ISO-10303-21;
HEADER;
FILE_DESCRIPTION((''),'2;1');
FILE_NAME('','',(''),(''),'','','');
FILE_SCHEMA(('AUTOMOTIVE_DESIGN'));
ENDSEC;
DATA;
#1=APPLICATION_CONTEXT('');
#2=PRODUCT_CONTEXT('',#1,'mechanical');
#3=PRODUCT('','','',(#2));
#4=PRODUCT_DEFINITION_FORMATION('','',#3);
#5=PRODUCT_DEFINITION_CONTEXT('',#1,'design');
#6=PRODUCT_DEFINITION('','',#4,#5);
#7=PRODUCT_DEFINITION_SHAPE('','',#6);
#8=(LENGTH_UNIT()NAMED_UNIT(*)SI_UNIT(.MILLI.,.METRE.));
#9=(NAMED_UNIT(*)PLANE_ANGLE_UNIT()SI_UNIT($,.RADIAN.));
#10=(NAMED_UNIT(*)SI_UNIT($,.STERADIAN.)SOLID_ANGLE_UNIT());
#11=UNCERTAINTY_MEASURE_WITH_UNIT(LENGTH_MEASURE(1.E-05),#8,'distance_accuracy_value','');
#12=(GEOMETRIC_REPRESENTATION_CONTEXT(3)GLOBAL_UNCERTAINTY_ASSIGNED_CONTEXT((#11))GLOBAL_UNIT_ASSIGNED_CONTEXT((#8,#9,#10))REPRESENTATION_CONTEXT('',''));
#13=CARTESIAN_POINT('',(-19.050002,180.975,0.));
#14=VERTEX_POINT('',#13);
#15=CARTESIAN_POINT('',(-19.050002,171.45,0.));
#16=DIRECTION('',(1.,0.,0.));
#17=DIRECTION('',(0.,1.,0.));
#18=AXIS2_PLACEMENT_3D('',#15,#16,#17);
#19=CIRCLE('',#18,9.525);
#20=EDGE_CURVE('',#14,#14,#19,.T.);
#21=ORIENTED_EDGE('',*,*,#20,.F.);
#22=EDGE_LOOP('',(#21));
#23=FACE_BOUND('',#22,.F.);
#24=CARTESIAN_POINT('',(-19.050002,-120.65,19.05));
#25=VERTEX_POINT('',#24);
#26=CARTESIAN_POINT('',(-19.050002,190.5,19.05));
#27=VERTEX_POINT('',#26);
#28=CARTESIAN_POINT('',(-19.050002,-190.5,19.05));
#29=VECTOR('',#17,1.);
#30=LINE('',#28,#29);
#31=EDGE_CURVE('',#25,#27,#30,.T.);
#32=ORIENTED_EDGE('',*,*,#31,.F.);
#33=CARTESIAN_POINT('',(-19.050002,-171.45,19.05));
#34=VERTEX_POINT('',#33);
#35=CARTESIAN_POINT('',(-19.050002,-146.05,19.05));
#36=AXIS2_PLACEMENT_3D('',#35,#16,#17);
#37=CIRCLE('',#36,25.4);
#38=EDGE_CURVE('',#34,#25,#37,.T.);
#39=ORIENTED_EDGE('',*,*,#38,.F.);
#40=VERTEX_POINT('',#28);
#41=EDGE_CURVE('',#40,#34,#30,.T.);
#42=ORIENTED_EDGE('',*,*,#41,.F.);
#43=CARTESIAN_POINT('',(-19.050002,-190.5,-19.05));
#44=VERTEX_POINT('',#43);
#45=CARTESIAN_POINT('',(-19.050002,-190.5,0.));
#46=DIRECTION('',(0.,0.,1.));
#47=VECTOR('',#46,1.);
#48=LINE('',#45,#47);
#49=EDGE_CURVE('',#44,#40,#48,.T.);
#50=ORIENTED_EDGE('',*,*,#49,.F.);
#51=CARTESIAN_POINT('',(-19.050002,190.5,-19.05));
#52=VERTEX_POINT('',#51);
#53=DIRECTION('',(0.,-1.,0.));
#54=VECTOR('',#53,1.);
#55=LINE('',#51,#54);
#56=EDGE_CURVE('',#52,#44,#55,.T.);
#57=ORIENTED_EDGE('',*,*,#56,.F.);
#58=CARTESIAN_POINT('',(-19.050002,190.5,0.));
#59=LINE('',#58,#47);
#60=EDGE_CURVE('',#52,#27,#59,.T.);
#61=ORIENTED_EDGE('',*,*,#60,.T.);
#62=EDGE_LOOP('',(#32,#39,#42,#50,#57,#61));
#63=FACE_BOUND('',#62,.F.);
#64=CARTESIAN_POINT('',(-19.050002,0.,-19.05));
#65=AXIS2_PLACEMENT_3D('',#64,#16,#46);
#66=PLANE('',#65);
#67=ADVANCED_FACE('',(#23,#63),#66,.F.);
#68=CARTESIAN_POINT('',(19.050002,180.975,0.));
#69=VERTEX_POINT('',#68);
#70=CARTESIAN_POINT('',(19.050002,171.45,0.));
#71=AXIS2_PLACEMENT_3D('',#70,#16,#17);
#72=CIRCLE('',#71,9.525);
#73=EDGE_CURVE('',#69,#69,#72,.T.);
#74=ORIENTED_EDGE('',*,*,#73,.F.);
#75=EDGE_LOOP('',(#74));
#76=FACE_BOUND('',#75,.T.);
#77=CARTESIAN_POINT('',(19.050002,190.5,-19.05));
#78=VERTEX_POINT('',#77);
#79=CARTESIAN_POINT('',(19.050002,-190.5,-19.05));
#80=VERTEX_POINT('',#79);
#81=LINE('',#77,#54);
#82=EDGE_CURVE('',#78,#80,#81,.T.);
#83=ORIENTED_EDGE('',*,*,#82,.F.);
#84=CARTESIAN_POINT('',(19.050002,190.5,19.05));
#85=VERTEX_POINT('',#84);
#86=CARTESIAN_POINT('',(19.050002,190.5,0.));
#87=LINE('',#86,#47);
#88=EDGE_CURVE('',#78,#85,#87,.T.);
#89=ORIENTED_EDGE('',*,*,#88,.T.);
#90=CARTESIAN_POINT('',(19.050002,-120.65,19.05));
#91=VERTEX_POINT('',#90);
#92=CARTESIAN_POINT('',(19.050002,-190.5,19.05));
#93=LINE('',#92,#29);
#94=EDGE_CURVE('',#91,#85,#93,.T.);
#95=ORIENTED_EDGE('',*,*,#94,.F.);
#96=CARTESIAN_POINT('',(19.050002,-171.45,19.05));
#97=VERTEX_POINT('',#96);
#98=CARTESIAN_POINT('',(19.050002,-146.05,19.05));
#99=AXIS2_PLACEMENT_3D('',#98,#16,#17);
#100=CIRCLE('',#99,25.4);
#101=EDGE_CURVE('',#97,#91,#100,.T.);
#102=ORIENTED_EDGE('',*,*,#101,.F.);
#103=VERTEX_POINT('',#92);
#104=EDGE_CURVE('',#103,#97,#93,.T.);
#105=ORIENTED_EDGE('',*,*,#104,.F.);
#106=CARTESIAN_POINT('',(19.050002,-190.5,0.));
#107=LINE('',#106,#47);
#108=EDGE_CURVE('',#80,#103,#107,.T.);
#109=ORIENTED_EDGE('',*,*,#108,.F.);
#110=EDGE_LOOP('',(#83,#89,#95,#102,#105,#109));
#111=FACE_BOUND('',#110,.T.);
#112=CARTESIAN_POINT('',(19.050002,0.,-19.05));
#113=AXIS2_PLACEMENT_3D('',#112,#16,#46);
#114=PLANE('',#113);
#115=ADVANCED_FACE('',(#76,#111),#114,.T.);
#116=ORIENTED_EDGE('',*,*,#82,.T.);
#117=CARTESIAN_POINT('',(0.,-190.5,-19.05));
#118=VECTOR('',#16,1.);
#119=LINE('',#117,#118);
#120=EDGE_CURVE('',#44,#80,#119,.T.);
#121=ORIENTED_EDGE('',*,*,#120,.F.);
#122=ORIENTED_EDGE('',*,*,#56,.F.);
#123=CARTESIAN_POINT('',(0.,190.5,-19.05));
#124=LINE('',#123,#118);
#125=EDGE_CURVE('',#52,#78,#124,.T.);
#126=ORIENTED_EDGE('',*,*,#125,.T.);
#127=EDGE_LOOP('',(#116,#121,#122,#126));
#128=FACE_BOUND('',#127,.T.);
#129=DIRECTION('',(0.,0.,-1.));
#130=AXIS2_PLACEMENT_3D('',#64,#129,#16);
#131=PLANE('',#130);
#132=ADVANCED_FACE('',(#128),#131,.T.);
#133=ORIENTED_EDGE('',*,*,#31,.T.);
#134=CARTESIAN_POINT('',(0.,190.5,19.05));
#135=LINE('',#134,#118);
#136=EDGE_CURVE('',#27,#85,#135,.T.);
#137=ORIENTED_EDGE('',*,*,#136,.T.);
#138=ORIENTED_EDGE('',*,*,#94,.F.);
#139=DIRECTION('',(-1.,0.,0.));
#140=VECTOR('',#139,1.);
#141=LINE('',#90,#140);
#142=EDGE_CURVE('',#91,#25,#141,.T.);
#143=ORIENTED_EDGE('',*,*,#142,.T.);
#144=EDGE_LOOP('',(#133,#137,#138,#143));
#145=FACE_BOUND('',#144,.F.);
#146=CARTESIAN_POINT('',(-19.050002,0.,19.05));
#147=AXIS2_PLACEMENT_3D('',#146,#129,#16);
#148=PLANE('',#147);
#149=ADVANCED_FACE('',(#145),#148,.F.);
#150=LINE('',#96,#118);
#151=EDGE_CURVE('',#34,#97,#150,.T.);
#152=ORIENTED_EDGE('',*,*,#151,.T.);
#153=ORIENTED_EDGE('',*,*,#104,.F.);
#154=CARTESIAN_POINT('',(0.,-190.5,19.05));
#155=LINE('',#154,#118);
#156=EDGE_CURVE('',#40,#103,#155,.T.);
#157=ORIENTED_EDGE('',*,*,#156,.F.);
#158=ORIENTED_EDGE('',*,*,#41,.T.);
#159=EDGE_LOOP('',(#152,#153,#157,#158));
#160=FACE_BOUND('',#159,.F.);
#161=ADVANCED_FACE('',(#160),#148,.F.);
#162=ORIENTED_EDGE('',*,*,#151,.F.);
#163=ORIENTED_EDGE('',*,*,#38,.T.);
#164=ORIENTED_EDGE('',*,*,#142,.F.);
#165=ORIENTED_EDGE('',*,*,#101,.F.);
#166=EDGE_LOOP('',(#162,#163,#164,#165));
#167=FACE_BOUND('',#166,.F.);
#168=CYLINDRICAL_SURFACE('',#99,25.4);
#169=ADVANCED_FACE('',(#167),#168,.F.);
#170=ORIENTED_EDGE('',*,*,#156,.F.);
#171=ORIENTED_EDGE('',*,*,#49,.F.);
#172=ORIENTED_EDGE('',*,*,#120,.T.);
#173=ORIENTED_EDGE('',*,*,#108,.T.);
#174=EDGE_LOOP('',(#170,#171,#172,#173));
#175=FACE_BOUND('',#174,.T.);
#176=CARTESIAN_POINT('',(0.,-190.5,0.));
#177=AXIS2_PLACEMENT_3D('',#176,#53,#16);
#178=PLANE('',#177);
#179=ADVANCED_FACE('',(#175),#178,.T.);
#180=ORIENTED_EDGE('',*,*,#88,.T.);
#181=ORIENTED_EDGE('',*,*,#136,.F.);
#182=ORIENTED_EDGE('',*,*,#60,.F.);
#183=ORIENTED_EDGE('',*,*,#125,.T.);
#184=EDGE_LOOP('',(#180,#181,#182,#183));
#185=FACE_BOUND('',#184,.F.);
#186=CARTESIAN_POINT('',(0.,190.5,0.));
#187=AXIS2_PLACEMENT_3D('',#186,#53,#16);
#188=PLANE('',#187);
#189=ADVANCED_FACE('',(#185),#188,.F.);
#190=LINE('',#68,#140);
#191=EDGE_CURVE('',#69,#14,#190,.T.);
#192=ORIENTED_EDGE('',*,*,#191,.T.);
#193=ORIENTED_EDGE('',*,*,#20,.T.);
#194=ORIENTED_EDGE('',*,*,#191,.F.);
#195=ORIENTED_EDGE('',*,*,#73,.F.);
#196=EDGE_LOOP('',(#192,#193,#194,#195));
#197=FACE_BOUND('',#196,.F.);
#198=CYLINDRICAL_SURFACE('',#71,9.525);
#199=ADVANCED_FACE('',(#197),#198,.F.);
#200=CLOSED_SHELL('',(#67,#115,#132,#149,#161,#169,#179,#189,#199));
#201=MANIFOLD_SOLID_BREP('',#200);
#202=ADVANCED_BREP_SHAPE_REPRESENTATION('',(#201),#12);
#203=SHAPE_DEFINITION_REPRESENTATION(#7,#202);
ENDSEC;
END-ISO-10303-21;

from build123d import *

# Parameters (mm, degrees)
F0_W     = 38.100004
F0_H     = 38.1
F1_DEPTH = 190.5
F2_R     = 25.4
F3_DEPTH = 38.101003
F4_R     = 9.525
F5_DEPTH = 38.101003


with BuildPart() as f1:
    # F0 (on Front) → F1 (new body, symmetric)
    with BuildSketch(Plane.XZ):
        Rectangle(F0_W, F0_H)
    extrude(amount=F1_DEPTH, both=True)

    # F2 (on face) → F3 (cut, through all)
    with BuildSketch(Plane.YZ.offset(19.050002)):
        with Locations((-146.05, 19.05)):
            Circle(F2_R)
    extrude(amount=-F3_DEPTH, mode=Mode.SUBTRACT)

    # F4 (on face) → F5 (cut, through all)
    with BuildSketch(Plane.YZ.offset(19.050002)):
        with Locations((171.45, 0)):
            Circle(F4_R)
    extrude(amount=-F5_DEPTH, mode=Mode.SUBTRACT)


solid = f1.part
